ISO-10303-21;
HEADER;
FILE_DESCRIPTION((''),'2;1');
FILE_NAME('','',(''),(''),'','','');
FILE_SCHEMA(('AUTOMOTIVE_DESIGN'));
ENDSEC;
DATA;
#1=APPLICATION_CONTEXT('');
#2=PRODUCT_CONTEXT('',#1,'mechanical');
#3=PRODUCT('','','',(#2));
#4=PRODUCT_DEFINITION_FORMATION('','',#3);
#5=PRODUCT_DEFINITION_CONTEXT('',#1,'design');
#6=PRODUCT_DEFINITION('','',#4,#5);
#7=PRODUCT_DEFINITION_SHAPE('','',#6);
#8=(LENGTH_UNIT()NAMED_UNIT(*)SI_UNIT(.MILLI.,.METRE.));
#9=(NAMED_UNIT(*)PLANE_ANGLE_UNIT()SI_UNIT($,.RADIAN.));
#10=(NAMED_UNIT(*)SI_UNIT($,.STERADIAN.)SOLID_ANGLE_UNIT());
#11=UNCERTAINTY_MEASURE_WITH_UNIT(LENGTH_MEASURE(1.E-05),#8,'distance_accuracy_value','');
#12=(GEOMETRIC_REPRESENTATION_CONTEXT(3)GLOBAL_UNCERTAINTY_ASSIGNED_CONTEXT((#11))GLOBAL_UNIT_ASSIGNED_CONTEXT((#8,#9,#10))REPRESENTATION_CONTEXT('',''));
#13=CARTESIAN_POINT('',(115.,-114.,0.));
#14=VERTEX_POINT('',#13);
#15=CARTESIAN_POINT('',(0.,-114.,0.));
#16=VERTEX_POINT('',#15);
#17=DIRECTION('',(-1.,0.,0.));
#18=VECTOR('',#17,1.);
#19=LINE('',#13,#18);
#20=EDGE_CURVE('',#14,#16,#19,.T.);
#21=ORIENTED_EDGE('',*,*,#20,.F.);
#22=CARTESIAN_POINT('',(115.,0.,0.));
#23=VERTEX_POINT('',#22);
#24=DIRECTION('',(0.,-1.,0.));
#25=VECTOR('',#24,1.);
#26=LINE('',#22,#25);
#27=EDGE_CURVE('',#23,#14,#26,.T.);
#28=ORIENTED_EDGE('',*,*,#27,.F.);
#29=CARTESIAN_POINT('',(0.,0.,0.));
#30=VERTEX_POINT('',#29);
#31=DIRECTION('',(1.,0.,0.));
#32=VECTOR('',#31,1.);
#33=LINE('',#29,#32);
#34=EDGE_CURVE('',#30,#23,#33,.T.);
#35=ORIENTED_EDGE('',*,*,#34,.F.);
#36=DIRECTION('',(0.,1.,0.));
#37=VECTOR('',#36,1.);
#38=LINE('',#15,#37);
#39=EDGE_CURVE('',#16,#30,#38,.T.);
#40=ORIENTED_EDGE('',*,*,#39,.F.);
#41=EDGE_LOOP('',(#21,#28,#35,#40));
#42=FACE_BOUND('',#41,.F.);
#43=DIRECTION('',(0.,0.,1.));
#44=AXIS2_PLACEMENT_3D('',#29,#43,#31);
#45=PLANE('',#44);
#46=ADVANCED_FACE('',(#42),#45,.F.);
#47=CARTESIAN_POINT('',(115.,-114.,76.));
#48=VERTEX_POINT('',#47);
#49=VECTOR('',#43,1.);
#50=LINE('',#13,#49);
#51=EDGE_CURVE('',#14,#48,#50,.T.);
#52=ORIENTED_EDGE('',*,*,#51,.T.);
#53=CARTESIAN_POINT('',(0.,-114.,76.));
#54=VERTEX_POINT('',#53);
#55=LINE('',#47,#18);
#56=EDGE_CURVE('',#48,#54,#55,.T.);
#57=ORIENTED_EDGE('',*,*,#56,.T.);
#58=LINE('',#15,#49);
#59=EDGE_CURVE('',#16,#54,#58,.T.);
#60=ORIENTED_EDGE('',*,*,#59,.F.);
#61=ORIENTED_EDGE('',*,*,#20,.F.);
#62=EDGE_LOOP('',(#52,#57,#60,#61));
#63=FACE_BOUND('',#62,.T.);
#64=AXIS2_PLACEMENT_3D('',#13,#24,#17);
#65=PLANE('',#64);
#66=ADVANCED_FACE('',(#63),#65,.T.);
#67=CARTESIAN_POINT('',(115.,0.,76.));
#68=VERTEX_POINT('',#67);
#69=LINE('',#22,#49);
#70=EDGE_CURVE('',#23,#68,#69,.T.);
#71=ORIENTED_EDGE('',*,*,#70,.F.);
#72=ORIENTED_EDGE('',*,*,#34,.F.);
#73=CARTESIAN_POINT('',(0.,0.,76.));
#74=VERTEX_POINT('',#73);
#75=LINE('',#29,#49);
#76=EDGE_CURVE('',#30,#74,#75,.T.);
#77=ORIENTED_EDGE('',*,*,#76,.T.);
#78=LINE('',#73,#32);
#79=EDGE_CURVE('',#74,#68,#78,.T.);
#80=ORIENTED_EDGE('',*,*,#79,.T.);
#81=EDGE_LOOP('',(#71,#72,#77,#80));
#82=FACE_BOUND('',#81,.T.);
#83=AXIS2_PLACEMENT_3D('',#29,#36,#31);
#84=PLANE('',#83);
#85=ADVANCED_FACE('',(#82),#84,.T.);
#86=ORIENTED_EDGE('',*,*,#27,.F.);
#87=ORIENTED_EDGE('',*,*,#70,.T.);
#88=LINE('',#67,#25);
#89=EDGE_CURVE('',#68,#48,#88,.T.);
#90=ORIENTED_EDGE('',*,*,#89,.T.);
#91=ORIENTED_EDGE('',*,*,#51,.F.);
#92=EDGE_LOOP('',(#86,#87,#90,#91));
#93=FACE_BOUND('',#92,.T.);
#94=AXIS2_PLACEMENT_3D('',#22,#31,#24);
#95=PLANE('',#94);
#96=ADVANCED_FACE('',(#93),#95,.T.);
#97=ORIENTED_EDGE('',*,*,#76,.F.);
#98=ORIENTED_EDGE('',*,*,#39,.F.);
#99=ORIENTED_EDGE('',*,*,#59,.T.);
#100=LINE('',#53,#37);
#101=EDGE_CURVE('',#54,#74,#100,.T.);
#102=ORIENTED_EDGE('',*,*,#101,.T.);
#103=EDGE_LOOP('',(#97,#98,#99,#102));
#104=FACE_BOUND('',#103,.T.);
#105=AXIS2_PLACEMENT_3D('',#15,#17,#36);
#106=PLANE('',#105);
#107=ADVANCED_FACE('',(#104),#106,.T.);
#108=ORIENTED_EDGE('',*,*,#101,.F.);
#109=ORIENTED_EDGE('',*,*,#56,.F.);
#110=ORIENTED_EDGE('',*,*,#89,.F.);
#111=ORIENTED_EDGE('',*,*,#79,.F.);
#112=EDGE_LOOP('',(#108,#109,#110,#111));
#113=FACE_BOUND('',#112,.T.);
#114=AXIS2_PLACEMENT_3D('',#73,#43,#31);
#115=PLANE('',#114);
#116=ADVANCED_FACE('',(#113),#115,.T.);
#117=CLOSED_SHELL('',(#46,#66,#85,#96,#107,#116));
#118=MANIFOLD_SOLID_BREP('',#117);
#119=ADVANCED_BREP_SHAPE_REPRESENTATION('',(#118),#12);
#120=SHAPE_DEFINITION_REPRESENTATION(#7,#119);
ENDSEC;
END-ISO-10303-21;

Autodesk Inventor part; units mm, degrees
ref_plane "YZ Plane" through (0, 0, 0) normal (1, 0, 0) x (0, 1, 0)
ref_plane "XZ Plane" through (0, 0, 0) normal (0, 1, 0) x (-1, 0, 0)
ref_plane "XY Plane" through (0, 0, 0) normal (0, 0, 1) x (1, 0, 0)
sketch "Sketch1" plane through (0, 0, 0) normal (0, 0, 1) x (1, 0, 0)
  line L0 (0, 0) -> (115, 0)
  line L1 (115, 0) -> (115, -114)
  line L2 (115, -114) -> (0, -114)
  line L3 (0, -114) -> (0, 0)
  dimension "d0" = 115
  dimension "d1" = 114
extrude "Extrusion1" add sketch "Sketch1" along normal blind 76
properties part number "IFB-23"
